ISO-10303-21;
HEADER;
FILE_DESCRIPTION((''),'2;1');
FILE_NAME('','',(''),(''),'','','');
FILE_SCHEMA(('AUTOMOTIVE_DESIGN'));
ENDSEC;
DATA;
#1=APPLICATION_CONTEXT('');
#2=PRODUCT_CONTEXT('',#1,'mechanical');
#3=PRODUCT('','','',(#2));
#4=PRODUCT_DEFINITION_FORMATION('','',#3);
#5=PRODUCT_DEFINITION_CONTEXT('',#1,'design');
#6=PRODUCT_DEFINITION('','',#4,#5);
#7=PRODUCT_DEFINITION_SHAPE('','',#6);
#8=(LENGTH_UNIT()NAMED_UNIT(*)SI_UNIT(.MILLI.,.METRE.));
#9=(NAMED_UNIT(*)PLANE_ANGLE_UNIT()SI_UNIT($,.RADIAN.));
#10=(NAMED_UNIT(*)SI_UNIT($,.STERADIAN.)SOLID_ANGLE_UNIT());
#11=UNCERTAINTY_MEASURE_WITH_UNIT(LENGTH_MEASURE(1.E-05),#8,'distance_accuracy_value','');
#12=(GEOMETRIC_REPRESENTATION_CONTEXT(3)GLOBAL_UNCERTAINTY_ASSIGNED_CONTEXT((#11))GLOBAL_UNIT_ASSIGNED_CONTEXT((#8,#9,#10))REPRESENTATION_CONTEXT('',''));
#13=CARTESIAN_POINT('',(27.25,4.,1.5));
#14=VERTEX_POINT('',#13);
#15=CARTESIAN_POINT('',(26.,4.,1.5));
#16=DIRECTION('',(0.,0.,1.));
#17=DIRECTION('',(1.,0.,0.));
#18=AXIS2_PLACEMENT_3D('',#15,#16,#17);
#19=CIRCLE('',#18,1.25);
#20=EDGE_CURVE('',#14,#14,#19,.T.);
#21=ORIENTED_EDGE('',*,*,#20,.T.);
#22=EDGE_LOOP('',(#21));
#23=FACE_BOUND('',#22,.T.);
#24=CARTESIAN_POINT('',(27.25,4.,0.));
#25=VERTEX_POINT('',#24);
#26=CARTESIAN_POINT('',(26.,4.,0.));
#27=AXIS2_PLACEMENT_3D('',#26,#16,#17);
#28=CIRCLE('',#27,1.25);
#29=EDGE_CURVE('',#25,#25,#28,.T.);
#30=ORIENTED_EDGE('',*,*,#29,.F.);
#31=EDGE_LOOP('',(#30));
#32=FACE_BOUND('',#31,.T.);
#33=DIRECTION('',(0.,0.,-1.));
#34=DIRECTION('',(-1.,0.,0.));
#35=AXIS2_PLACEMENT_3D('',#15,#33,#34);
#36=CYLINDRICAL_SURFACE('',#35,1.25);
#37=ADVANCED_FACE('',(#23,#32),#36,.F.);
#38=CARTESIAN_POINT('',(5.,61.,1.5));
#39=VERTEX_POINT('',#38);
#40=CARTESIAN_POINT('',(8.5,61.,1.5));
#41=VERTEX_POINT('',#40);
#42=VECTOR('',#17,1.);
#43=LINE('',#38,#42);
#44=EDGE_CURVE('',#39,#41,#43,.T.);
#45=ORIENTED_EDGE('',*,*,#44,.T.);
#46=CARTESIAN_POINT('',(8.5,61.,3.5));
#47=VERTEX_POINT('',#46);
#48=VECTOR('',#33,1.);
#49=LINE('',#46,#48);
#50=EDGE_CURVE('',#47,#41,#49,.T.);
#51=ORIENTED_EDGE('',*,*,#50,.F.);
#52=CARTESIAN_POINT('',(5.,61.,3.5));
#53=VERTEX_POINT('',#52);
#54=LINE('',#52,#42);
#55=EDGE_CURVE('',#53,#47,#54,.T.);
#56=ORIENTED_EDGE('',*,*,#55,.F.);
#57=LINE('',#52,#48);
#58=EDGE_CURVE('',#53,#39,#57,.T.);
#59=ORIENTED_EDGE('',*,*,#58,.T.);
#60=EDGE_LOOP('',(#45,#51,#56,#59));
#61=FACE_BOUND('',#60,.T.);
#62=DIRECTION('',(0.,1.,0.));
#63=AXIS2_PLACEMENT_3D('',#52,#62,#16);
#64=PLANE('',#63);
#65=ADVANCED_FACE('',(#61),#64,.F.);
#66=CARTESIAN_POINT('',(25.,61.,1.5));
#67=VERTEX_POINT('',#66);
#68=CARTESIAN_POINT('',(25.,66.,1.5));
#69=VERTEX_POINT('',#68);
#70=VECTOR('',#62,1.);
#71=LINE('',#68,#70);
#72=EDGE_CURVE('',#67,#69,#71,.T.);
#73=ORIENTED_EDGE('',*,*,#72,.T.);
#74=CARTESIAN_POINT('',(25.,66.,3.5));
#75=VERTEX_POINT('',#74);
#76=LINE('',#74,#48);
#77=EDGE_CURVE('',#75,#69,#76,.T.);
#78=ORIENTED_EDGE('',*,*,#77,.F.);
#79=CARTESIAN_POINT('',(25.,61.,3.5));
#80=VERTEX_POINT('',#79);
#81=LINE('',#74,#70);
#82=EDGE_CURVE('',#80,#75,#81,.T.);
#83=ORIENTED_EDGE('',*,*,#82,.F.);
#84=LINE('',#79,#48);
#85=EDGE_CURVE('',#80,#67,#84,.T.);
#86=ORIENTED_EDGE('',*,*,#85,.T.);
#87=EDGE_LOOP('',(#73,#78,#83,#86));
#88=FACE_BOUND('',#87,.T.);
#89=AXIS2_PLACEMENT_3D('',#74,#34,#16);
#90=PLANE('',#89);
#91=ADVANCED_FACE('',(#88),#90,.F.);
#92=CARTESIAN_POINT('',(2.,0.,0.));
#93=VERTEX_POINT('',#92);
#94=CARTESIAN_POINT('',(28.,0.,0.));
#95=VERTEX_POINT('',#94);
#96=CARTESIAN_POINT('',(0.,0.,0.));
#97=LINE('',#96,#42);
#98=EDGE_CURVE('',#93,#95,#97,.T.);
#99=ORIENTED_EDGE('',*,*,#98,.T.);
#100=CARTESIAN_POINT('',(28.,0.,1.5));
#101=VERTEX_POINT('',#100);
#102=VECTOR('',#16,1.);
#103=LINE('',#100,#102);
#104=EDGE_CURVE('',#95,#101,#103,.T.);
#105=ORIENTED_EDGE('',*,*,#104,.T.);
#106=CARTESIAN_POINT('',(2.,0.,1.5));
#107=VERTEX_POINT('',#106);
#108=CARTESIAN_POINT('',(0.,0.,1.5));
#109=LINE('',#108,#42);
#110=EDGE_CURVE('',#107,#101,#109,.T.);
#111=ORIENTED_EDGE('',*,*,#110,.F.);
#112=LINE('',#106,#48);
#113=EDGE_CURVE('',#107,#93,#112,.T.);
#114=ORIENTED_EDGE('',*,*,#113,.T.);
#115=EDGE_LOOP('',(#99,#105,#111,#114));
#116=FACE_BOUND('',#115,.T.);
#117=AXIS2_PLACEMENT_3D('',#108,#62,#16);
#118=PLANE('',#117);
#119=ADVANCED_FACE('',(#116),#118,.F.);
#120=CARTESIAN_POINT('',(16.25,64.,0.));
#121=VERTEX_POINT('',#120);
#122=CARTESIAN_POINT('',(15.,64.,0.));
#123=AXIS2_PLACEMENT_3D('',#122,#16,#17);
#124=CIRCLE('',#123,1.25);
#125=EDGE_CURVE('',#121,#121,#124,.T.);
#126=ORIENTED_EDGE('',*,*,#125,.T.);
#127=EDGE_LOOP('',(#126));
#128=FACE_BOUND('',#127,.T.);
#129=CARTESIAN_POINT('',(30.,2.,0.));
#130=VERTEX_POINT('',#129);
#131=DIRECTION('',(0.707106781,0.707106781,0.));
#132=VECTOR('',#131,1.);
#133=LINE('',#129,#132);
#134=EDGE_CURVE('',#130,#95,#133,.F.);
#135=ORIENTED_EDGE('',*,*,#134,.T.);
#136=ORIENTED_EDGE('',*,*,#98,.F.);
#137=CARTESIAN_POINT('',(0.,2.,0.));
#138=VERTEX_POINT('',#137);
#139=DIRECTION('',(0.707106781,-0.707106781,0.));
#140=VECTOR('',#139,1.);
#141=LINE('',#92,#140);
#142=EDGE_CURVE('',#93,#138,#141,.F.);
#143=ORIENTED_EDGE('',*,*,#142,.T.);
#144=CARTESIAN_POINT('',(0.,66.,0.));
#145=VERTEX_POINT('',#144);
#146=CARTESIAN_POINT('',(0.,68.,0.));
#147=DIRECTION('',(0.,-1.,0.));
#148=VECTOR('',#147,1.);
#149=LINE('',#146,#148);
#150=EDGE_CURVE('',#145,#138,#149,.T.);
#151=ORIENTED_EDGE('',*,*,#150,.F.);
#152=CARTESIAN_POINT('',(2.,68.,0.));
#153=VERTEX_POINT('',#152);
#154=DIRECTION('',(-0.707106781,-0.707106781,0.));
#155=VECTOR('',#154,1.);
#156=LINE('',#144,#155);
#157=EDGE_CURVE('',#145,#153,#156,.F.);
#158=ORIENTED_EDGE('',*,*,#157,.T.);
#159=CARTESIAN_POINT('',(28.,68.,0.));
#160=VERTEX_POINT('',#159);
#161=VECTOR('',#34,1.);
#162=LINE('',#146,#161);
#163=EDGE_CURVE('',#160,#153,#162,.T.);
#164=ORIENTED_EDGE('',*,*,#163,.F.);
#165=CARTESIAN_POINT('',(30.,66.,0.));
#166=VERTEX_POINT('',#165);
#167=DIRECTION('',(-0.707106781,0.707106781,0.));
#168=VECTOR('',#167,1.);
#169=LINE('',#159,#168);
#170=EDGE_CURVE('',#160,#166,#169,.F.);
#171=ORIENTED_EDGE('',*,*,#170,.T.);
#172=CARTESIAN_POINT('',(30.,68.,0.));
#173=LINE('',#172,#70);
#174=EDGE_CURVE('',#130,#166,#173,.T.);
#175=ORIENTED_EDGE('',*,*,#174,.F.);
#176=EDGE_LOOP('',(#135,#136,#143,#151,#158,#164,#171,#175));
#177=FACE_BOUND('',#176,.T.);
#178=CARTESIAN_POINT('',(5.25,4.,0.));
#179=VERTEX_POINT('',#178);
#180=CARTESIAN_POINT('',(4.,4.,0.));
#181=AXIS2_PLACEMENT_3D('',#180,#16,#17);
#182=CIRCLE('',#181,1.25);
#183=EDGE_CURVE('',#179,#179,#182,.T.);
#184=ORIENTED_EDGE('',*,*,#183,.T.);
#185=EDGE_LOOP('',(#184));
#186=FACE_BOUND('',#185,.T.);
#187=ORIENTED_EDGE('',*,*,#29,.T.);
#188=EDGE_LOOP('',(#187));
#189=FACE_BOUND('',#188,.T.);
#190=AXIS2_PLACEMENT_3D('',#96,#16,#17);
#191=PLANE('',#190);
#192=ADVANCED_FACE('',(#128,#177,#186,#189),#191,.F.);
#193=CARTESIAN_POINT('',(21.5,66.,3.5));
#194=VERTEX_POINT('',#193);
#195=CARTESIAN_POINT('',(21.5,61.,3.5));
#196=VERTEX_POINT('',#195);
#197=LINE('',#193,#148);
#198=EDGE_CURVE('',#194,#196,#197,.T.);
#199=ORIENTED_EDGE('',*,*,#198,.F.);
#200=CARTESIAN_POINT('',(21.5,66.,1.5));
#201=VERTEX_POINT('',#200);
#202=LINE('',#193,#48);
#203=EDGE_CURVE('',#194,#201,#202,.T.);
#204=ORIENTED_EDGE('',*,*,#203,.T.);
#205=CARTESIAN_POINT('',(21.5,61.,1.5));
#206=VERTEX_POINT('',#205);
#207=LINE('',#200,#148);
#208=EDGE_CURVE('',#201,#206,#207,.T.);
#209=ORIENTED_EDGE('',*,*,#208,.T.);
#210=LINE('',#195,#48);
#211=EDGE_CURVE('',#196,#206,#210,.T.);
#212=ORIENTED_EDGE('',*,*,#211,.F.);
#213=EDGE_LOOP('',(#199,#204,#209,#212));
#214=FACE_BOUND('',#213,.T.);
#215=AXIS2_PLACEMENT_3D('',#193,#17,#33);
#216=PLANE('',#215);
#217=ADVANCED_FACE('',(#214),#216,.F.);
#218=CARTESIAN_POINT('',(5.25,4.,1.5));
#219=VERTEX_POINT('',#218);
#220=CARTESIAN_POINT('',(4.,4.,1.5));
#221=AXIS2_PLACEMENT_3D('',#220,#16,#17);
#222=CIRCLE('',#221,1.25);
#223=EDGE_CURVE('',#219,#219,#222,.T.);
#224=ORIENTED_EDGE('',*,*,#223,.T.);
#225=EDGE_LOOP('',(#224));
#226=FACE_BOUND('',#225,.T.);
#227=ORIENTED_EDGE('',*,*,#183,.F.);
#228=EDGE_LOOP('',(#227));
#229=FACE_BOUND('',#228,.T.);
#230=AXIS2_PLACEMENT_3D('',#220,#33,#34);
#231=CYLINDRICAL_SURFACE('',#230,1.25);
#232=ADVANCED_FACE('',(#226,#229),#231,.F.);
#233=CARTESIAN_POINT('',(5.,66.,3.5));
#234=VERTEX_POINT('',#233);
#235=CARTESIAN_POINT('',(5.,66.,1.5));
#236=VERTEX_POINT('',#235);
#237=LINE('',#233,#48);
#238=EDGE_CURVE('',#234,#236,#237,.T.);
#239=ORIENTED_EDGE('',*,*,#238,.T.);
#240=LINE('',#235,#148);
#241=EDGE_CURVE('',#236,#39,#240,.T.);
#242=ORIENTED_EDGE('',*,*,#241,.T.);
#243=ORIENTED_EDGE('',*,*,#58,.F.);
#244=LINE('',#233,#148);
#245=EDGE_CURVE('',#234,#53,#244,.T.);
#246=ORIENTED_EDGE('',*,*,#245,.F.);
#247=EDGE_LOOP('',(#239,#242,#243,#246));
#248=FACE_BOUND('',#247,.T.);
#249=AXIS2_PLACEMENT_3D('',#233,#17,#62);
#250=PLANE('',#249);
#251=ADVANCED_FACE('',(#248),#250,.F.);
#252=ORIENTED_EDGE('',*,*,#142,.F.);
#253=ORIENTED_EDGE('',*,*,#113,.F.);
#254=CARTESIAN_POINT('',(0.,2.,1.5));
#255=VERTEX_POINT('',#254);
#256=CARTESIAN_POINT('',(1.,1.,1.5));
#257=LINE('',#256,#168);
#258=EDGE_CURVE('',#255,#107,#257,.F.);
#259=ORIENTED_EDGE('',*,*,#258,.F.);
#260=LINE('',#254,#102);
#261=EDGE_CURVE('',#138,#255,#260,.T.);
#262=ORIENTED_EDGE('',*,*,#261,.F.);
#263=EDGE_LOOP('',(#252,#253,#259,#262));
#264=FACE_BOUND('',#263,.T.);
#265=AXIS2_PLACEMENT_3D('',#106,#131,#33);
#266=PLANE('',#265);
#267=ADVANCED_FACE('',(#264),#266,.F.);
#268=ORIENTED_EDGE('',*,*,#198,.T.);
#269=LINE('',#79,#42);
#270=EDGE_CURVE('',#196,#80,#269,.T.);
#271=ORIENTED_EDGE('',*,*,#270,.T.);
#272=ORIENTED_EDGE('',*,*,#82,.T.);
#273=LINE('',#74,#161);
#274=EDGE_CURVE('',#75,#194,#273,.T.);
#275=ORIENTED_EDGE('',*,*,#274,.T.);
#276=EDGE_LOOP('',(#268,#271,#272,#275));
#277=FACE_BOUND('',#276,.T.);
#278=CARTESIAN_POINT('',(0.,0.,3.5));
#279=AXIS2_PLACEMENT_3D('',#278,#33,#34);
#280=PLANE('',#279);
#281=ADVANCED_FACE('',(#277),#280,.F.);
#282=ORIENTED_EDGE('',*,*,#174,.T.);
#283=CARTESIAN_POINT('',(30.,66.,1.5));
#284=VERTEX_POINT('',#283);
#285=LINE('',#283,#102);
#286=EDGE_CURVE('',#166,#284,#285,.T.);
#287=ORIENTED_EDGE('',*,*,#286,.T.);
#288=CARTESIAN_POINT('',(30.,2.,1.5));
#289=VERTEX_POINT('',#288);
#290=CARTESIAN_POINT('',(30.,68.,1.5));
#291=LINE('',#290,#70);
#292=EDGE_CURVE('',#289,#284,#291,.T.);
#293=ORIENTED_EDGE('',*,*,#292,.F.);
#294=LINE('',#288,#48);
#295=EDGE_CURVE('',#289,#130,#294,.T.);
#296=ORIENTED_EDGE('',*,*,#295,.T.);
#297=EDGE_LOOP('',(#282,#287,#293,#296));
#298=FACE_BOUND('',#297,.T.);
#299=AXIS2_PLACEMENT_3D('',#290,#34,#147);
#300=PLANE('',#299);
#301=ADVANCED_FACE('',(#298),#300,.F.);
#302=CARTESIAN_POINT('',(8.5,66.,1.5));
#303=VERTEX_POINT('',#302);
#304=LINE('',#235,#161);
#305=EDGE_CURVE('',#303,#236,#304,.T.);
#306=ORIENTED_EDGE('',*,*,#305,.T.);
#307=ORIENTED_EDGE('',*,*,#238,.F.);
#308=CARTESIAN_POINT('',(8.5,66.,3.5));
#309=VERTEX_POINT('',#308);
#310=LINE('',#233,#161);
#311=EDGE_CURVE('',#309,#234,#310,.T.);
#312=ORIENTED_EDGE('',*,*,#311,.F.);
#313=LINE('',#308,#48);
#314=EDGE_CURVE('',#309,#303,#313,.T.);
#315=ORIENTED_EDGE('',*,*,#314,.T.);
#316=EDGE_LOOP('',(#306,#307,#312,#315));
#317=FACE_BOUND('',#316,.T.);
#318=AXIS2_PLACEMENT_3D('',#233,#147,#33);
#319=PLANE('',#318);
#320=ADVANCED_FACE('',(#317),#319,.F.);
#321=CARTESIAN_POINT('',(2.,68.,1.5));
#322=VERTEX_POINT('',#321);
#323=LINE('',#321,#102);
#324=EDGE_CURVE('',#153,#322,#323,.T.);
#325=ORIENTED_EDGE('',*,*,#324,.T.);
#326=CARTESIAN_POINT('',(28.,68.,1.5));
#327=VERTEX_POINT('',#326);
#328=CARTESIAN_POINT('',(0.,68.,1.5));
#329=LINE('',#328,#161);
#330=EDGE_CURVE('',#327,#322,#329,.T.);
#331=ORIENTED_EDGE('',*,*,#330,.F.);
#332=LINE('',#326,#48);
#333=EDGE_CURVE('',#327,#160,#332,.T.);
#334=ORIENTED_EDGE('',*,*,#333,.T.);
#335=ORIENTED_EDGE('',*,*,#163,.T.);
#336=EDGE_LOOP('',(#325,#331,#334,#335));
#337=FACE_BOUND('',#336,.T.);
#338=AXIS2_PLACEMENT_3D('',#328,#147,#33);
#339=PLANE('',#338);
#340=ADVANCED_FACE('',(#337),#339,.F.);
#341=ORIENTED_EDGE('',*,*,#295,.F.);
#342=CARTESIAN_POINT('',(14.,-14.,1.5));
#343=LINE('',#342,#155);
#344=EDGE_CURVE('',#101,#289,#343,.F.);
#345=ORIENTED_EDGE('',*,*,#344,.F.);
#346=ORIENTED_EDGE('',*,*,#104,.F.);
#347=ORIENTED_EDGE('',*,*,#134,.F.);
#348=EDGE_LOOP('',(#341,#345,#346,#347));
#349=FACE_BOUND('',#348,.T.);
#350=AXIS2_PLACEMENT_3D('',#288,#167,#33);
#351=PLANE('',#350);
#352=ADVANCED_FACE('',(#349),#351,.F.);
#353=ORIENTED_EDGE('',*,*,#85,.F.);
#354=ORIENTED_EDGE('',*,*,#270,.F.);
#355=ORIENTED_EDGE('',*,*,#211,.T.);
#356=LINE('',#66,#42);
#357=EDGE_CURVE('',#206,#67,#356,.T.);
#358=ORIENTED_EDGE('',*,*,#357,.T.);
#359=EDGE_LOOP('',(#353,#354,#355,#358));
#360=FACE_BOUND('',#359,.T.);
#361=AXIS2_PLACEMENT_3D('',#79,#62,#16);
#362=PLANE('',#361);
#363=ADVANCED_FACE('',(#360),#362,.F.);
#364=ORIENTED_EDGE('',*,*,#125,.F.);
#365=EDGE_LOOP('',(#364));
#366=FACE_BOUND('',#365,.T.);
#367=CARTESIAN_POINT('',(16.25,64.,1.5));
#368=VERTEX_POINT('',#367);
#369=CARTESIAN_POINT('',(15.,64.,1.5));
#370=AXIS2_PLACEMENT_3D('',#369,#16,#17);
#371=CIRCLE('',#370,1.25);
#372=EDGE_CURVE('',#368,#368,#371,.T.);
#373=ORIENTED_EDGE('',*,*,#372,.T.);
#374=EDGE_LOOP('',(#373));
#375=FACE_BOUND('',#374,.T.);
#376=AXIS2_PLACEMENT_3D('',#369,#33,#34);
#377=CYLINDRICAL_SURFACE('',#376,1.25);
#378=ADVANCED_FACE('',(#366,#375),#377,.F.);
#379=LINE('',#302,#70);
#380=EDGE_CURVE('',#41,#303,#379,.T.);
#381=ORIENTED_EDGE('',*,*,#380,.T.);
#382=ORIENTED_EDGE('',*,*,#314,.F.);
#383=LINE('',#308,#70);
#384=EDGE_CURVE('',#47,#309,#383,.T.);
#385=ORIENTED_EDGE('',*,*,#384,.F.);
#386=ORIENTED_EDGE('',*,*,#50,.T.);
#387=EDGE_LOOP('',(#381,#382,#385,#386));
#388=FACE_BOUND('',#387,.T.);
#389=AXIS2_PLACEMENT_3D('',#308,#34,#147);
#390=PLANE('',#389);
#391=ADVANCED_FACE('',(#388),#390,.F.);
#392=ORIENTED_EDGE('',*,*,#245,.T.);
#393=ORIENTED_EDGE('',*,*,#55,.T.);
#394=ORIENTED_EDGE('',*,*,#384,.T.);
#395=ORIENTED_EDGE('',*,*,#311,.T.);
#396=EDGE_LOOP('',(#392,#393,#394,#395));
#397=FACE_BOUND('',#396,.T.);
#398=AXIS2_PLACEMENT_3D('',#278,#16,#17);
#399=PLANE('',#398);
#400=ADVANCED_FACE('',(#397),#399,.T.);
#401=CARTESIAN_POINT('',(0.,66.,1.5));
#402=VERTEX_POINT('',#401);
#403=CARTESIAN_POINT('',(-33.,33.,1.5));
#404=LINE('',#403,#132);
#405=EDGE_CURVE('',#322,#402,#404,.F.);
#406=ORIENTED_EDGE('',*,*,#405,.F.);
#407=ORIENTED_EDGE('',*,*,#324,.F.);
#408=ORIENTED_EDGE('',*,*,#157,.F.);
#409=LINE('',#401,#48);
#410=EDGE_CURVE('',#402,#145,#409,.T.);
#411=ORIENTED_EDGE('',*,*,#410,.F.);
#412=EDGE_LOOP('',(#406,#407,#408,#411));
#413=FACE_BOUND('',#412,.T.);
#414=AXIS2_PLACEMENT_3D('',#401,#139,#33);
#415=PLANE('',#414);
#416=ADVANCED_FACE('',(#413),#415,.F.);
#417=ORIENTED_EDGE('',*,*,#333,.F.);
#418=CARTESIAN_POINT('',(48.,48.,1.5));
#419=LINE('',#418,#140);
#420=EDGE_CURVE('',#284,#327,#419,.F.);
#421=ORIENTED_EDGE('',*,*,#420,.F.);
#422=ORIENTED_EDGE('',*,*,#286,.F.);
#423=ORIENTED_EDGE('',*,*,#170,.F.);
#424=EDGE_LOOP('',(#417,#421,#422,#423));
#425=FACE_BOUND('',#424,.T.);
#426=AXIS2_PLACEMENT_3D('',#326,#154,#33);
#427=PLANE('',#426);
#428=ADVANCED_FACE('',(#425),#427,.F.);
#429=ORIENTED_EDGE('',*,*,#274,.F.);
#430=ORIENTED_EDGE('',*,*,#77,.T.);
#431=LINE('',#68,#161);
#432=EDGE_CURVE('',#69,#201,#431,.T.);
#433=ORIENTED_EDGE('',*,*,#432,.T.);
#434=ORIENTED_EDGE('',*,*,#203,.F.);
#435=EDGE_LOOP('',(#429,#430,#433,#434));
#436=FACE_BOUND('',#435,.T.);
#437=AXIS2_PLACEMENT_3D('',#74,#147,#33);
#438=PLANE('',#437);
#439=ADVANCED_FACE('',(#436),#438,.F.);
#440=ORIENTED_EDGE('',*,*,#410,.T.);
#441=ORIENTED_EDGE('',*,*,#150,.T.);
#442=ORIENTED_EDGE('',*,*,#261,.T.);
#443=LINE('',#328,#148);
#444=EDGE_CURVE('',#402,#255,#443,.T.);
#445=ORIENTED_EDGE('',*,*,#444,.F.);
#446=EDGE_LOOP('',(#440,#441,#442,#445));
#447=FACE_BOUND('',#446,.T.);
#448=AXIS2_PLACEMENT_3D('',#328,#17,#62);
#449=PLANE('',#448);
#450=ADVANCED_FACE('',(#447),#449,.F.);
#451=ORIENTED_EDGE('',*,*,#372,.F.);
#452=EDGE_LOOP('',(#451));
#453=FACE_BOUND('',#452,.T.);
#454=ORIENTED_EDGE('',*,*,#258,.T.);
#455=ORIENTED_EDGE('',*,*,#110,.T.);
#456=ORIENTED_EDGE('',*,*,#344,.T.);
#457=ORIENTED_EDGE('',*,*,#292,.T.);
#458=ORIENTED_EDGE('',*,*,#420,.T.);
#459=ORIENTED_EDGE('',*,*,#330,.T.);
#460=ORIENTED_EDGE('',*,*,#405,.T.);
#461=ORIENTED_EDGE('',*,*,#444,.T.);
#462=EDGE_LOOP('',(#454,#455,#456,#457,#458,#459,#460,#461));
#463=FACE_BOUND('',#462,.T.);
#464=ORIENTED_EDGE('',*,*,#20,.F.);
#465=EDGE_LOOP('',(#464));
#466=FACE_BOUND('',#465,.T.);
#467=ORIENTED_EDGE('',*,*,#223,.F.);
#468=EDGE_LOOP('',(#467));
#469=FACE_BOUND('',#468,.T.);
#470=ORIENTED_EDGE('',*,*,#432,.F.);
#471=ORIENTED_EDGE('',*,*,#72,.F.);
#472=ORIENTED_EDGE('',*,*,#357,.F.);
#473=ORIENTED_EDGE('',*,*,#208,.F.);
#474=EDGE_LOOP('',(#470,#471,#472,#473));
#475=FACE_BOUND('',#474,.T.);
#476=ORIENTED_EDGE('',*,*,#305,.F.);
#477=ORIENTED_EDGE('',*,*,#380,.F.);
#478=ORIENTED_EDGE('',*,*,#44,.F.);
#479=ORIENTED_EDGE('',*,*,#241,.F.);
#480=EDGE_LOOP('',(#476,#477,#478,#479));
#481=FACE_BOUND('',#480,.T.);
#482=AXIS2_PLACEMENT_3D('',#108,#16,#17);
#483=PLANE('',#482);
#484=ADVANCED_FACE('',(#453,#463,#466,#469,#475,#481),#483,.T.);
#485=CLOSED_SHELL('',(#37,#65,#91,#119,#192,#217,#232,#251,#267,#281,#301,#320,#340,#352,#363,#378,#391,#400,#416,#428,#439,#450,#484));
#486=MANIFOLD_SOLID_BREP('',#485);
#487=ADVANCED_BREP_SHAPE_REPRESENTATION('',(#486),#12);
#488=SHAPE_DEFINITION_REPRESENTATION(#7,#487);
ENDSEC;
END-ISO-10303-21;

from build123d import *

# Parameters (mm, degrees)
SKETCH_1_W      = 30
SKETCH_1_H      = 68
SKETCH_1_R      = 1.25
EXTRUDE_6_DEPTH = 1.5
CHAMFER_2_SIZE  = 2
SKETCH_9_W      = 3.5
SKETCH_9_H      = 5
EXTRUDE_7_DEPTH = 2


with BuildPart() as part:
    # Эскиз1 → Бобышка-Вытянуть6 (new body)
    with BuildSketch(Plane.XY):
        with Locations((15, 34)):
            Rectangle(SKETCH_1_W, SKETCH_1_H)
        with Locations((15, 64)):
            Circle(SKETCH_1_R, mode=Mode.SUBTRACT)
        with Locations((4, 4)):
            Circle(SKETCH_1_R, mode=Mode.SUBTRACT)
        with Locations((26, 4)):
            Circle(SKETCH_1_R, mode=Mode.SUBTRACT)
    extrude(amount=EXTRUDE_6_DEPTH)

    # Фаска2
    chamfer_2_edges = [part.edges().sort_by_distance(p)[0] for p in [
        (0, 68, 0.75),
        (30, 68, 0.75),
        (30, 0, 0.75),
        (0, 0, 0.75),
    ]]
    chamfer(chamfer_2_edges, length=CHAMFER_2_SIZE)

    # Эскиз9 → Бобышка-Вытянуть7 (add)
    with BuildSketch(Plane.XY.offset(1.5)):
        with Locations((6.75, 63.5)):
            Rectangle(SKETCH_9_W, SKETCH_9_H)
        with Locations((23.25, 63.5)):
            Rectangle(SKETCH_9_W, SKETCH_9_H)
    extrude(amount=EXTRUDE_7_DEPTH)


solid = part.part
